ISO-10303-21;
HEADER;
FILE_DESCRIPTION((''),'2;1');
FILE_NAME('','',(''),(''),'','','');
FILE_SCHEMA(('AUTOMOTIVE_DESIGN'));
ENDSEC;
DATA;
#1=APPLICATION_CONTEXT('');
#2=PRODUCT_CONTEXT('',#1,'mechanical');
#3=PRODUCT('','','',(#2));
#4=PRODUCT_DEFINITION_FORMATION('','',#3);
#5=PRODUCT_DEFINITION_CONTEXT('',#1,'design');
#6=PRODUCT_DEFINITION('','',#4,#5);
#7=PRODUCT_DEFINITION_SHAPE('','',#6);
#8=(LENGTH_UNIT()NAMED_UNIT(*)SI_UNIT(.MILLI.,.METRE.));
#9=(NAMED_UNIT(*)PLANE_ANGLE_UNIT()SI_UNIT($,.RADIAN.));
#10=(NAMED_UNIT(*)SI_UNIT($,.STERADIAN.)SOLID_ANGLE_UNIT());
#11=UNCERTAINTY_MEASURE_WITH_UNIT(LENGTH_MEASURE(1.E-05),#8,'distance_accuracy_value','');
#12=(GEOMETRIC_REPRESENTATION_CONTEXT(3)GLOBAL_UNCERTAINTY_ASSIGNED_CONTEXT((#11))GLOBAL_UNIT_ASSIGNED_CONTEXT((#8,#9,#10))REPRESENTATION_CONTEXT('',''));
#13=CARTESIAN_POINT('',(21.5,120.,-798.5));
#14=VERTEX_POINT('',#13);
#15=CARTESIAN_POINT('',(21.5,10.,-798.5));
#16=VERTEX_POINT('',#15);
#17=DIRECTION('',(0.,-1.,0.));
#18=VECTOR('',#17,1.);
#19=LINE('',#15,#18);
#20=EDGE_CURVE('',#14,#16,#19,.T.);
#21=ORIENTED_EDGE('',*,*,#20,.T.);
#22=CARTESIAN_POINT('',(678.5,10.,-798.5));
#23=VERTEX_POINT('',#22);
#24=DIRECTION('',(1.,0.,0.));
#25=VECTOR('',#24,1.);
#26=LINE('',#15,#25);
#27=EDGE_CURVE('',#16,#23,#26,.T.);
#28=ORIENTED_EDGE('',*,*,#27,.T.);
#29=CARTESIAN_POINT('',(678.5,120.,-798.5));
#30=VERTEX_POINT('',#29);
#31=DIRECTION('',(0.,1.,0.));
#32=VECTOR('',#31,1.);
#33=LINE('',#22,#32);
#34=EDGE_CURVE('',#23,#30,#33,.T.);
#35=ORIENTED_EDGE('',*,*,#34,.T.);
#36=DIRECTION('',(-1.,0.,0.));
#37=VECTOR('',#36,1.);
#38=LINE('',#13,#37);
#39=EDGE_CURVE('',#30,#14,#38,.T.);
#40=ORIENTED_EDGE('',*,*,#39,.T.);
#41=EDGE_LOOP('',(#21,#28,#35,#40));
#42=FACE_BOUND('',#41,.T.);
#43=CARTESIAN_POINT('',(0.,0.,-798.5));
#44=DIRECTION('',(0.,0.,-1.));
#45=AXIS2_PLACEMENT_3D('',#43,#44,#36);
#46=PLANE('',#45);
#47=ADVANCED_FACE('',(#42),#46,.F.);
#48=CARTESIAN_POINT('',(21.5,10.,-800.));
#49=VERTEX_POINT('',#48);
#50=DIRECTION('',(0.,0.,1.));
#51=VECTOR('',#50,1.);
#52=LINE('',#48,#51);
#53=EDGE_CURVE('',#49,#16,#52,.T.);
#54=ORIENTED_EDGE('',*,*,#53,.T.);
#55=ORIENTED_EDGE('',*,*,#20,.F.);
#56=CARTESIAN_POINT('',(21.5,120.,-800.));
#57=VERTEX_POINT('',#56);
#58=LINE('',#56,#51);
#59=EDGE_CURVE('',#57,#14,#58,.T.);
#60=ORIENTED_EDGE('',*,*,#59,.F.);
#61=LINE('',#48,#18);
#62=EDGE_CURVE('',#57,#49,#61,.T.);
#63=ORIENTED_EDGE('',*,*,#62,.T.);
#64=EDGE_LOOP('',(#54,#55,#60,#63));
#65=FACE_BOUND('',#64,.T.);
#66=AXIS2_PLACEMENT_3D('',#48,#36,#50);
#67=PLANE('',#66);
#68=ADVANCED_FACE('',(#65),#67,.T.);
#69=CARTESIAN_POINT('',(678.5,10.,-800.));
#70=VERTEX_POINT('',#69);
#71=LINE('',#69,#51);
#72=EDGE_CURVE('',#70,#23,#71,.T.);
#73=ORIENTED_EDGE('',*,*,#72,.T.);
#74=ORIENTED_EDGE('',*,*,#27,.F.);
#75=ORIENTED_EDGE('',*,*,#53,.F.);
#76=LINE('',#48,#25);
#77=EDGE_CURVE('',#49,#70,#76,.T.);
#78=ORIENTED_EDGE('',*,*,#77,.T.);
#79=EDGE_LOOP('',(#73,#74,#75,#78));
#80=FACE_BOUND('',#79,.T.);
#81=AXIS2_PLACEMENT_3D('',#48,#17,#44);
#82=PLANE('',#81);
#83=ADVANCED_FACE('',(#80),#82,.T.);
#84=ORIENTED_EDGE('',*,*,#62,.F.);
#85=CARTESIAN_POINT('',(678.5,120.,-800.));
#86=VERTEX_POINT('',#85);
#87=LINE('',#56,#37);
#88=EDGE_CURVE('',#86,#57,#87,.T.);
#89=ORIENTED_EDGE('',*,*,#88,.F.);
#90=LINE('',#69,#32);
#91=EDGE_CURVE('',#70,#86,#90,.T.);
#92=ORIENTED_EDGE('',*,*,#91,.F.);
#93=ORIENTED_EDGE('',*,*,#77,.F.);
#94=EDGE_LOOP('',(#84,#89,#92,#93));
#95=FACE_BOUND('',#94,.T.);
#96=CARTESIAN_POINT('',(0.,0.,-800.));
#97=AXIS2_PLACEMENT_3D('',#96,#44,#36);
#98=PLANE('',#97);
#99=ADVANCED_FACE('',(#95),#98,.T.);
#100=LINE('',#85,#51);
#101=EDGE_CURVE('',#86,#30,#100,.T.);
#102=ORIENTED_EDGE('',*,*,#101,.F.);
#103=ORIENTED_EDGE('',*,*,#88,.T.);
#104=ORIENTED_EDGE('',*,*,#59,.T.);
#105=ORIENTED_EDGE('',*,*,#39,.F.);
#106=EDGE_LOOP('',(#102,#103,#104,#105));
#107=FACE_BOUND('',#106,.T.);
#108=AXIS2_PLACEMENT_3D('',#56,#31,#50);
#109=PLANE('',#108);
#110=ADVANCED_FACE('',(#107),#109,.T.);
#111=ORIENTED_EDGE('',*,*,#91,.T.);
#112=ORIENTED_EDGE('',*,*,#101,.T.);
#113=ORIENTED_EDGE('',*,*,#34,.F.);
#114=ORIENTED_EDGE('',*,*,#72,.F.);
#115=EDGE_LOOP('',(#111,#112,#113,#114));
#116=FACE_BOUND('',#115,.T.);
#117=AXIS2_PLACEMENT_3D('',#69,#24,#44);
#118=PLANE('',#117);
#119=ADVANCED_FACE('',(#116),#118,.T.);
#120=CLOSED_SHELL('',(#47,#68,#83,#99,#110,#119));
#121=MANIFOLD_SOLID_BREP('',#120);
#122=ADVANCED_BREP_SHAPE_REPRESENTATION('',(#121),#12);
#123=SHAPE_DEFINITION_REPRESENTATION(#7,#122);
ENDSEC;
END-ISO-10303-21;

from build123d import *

# Parameters (mm, degrees)
OVEN_PLINT_ARKA_1_START = -798.5
SKETCH1_W               = 657
SKETCH1_H               = 110
OVEN_PLINT_ARKA_1_DEPTH = 1.5


with BuildPart() as part:
    # Sketch1 → OVEN_plint_arka_1 (new body)
    with BuildSketch(Plane.XY.offset(OVEN_PLINT_ARKA_1_START)):
        with Locations((350, 65)):
            Rectangle(SKETCH1_W, SKETCH1_H)
    extrude(amount=-OVEN_PLINT_ARKA_1_DEPTH)


solid = part.part
